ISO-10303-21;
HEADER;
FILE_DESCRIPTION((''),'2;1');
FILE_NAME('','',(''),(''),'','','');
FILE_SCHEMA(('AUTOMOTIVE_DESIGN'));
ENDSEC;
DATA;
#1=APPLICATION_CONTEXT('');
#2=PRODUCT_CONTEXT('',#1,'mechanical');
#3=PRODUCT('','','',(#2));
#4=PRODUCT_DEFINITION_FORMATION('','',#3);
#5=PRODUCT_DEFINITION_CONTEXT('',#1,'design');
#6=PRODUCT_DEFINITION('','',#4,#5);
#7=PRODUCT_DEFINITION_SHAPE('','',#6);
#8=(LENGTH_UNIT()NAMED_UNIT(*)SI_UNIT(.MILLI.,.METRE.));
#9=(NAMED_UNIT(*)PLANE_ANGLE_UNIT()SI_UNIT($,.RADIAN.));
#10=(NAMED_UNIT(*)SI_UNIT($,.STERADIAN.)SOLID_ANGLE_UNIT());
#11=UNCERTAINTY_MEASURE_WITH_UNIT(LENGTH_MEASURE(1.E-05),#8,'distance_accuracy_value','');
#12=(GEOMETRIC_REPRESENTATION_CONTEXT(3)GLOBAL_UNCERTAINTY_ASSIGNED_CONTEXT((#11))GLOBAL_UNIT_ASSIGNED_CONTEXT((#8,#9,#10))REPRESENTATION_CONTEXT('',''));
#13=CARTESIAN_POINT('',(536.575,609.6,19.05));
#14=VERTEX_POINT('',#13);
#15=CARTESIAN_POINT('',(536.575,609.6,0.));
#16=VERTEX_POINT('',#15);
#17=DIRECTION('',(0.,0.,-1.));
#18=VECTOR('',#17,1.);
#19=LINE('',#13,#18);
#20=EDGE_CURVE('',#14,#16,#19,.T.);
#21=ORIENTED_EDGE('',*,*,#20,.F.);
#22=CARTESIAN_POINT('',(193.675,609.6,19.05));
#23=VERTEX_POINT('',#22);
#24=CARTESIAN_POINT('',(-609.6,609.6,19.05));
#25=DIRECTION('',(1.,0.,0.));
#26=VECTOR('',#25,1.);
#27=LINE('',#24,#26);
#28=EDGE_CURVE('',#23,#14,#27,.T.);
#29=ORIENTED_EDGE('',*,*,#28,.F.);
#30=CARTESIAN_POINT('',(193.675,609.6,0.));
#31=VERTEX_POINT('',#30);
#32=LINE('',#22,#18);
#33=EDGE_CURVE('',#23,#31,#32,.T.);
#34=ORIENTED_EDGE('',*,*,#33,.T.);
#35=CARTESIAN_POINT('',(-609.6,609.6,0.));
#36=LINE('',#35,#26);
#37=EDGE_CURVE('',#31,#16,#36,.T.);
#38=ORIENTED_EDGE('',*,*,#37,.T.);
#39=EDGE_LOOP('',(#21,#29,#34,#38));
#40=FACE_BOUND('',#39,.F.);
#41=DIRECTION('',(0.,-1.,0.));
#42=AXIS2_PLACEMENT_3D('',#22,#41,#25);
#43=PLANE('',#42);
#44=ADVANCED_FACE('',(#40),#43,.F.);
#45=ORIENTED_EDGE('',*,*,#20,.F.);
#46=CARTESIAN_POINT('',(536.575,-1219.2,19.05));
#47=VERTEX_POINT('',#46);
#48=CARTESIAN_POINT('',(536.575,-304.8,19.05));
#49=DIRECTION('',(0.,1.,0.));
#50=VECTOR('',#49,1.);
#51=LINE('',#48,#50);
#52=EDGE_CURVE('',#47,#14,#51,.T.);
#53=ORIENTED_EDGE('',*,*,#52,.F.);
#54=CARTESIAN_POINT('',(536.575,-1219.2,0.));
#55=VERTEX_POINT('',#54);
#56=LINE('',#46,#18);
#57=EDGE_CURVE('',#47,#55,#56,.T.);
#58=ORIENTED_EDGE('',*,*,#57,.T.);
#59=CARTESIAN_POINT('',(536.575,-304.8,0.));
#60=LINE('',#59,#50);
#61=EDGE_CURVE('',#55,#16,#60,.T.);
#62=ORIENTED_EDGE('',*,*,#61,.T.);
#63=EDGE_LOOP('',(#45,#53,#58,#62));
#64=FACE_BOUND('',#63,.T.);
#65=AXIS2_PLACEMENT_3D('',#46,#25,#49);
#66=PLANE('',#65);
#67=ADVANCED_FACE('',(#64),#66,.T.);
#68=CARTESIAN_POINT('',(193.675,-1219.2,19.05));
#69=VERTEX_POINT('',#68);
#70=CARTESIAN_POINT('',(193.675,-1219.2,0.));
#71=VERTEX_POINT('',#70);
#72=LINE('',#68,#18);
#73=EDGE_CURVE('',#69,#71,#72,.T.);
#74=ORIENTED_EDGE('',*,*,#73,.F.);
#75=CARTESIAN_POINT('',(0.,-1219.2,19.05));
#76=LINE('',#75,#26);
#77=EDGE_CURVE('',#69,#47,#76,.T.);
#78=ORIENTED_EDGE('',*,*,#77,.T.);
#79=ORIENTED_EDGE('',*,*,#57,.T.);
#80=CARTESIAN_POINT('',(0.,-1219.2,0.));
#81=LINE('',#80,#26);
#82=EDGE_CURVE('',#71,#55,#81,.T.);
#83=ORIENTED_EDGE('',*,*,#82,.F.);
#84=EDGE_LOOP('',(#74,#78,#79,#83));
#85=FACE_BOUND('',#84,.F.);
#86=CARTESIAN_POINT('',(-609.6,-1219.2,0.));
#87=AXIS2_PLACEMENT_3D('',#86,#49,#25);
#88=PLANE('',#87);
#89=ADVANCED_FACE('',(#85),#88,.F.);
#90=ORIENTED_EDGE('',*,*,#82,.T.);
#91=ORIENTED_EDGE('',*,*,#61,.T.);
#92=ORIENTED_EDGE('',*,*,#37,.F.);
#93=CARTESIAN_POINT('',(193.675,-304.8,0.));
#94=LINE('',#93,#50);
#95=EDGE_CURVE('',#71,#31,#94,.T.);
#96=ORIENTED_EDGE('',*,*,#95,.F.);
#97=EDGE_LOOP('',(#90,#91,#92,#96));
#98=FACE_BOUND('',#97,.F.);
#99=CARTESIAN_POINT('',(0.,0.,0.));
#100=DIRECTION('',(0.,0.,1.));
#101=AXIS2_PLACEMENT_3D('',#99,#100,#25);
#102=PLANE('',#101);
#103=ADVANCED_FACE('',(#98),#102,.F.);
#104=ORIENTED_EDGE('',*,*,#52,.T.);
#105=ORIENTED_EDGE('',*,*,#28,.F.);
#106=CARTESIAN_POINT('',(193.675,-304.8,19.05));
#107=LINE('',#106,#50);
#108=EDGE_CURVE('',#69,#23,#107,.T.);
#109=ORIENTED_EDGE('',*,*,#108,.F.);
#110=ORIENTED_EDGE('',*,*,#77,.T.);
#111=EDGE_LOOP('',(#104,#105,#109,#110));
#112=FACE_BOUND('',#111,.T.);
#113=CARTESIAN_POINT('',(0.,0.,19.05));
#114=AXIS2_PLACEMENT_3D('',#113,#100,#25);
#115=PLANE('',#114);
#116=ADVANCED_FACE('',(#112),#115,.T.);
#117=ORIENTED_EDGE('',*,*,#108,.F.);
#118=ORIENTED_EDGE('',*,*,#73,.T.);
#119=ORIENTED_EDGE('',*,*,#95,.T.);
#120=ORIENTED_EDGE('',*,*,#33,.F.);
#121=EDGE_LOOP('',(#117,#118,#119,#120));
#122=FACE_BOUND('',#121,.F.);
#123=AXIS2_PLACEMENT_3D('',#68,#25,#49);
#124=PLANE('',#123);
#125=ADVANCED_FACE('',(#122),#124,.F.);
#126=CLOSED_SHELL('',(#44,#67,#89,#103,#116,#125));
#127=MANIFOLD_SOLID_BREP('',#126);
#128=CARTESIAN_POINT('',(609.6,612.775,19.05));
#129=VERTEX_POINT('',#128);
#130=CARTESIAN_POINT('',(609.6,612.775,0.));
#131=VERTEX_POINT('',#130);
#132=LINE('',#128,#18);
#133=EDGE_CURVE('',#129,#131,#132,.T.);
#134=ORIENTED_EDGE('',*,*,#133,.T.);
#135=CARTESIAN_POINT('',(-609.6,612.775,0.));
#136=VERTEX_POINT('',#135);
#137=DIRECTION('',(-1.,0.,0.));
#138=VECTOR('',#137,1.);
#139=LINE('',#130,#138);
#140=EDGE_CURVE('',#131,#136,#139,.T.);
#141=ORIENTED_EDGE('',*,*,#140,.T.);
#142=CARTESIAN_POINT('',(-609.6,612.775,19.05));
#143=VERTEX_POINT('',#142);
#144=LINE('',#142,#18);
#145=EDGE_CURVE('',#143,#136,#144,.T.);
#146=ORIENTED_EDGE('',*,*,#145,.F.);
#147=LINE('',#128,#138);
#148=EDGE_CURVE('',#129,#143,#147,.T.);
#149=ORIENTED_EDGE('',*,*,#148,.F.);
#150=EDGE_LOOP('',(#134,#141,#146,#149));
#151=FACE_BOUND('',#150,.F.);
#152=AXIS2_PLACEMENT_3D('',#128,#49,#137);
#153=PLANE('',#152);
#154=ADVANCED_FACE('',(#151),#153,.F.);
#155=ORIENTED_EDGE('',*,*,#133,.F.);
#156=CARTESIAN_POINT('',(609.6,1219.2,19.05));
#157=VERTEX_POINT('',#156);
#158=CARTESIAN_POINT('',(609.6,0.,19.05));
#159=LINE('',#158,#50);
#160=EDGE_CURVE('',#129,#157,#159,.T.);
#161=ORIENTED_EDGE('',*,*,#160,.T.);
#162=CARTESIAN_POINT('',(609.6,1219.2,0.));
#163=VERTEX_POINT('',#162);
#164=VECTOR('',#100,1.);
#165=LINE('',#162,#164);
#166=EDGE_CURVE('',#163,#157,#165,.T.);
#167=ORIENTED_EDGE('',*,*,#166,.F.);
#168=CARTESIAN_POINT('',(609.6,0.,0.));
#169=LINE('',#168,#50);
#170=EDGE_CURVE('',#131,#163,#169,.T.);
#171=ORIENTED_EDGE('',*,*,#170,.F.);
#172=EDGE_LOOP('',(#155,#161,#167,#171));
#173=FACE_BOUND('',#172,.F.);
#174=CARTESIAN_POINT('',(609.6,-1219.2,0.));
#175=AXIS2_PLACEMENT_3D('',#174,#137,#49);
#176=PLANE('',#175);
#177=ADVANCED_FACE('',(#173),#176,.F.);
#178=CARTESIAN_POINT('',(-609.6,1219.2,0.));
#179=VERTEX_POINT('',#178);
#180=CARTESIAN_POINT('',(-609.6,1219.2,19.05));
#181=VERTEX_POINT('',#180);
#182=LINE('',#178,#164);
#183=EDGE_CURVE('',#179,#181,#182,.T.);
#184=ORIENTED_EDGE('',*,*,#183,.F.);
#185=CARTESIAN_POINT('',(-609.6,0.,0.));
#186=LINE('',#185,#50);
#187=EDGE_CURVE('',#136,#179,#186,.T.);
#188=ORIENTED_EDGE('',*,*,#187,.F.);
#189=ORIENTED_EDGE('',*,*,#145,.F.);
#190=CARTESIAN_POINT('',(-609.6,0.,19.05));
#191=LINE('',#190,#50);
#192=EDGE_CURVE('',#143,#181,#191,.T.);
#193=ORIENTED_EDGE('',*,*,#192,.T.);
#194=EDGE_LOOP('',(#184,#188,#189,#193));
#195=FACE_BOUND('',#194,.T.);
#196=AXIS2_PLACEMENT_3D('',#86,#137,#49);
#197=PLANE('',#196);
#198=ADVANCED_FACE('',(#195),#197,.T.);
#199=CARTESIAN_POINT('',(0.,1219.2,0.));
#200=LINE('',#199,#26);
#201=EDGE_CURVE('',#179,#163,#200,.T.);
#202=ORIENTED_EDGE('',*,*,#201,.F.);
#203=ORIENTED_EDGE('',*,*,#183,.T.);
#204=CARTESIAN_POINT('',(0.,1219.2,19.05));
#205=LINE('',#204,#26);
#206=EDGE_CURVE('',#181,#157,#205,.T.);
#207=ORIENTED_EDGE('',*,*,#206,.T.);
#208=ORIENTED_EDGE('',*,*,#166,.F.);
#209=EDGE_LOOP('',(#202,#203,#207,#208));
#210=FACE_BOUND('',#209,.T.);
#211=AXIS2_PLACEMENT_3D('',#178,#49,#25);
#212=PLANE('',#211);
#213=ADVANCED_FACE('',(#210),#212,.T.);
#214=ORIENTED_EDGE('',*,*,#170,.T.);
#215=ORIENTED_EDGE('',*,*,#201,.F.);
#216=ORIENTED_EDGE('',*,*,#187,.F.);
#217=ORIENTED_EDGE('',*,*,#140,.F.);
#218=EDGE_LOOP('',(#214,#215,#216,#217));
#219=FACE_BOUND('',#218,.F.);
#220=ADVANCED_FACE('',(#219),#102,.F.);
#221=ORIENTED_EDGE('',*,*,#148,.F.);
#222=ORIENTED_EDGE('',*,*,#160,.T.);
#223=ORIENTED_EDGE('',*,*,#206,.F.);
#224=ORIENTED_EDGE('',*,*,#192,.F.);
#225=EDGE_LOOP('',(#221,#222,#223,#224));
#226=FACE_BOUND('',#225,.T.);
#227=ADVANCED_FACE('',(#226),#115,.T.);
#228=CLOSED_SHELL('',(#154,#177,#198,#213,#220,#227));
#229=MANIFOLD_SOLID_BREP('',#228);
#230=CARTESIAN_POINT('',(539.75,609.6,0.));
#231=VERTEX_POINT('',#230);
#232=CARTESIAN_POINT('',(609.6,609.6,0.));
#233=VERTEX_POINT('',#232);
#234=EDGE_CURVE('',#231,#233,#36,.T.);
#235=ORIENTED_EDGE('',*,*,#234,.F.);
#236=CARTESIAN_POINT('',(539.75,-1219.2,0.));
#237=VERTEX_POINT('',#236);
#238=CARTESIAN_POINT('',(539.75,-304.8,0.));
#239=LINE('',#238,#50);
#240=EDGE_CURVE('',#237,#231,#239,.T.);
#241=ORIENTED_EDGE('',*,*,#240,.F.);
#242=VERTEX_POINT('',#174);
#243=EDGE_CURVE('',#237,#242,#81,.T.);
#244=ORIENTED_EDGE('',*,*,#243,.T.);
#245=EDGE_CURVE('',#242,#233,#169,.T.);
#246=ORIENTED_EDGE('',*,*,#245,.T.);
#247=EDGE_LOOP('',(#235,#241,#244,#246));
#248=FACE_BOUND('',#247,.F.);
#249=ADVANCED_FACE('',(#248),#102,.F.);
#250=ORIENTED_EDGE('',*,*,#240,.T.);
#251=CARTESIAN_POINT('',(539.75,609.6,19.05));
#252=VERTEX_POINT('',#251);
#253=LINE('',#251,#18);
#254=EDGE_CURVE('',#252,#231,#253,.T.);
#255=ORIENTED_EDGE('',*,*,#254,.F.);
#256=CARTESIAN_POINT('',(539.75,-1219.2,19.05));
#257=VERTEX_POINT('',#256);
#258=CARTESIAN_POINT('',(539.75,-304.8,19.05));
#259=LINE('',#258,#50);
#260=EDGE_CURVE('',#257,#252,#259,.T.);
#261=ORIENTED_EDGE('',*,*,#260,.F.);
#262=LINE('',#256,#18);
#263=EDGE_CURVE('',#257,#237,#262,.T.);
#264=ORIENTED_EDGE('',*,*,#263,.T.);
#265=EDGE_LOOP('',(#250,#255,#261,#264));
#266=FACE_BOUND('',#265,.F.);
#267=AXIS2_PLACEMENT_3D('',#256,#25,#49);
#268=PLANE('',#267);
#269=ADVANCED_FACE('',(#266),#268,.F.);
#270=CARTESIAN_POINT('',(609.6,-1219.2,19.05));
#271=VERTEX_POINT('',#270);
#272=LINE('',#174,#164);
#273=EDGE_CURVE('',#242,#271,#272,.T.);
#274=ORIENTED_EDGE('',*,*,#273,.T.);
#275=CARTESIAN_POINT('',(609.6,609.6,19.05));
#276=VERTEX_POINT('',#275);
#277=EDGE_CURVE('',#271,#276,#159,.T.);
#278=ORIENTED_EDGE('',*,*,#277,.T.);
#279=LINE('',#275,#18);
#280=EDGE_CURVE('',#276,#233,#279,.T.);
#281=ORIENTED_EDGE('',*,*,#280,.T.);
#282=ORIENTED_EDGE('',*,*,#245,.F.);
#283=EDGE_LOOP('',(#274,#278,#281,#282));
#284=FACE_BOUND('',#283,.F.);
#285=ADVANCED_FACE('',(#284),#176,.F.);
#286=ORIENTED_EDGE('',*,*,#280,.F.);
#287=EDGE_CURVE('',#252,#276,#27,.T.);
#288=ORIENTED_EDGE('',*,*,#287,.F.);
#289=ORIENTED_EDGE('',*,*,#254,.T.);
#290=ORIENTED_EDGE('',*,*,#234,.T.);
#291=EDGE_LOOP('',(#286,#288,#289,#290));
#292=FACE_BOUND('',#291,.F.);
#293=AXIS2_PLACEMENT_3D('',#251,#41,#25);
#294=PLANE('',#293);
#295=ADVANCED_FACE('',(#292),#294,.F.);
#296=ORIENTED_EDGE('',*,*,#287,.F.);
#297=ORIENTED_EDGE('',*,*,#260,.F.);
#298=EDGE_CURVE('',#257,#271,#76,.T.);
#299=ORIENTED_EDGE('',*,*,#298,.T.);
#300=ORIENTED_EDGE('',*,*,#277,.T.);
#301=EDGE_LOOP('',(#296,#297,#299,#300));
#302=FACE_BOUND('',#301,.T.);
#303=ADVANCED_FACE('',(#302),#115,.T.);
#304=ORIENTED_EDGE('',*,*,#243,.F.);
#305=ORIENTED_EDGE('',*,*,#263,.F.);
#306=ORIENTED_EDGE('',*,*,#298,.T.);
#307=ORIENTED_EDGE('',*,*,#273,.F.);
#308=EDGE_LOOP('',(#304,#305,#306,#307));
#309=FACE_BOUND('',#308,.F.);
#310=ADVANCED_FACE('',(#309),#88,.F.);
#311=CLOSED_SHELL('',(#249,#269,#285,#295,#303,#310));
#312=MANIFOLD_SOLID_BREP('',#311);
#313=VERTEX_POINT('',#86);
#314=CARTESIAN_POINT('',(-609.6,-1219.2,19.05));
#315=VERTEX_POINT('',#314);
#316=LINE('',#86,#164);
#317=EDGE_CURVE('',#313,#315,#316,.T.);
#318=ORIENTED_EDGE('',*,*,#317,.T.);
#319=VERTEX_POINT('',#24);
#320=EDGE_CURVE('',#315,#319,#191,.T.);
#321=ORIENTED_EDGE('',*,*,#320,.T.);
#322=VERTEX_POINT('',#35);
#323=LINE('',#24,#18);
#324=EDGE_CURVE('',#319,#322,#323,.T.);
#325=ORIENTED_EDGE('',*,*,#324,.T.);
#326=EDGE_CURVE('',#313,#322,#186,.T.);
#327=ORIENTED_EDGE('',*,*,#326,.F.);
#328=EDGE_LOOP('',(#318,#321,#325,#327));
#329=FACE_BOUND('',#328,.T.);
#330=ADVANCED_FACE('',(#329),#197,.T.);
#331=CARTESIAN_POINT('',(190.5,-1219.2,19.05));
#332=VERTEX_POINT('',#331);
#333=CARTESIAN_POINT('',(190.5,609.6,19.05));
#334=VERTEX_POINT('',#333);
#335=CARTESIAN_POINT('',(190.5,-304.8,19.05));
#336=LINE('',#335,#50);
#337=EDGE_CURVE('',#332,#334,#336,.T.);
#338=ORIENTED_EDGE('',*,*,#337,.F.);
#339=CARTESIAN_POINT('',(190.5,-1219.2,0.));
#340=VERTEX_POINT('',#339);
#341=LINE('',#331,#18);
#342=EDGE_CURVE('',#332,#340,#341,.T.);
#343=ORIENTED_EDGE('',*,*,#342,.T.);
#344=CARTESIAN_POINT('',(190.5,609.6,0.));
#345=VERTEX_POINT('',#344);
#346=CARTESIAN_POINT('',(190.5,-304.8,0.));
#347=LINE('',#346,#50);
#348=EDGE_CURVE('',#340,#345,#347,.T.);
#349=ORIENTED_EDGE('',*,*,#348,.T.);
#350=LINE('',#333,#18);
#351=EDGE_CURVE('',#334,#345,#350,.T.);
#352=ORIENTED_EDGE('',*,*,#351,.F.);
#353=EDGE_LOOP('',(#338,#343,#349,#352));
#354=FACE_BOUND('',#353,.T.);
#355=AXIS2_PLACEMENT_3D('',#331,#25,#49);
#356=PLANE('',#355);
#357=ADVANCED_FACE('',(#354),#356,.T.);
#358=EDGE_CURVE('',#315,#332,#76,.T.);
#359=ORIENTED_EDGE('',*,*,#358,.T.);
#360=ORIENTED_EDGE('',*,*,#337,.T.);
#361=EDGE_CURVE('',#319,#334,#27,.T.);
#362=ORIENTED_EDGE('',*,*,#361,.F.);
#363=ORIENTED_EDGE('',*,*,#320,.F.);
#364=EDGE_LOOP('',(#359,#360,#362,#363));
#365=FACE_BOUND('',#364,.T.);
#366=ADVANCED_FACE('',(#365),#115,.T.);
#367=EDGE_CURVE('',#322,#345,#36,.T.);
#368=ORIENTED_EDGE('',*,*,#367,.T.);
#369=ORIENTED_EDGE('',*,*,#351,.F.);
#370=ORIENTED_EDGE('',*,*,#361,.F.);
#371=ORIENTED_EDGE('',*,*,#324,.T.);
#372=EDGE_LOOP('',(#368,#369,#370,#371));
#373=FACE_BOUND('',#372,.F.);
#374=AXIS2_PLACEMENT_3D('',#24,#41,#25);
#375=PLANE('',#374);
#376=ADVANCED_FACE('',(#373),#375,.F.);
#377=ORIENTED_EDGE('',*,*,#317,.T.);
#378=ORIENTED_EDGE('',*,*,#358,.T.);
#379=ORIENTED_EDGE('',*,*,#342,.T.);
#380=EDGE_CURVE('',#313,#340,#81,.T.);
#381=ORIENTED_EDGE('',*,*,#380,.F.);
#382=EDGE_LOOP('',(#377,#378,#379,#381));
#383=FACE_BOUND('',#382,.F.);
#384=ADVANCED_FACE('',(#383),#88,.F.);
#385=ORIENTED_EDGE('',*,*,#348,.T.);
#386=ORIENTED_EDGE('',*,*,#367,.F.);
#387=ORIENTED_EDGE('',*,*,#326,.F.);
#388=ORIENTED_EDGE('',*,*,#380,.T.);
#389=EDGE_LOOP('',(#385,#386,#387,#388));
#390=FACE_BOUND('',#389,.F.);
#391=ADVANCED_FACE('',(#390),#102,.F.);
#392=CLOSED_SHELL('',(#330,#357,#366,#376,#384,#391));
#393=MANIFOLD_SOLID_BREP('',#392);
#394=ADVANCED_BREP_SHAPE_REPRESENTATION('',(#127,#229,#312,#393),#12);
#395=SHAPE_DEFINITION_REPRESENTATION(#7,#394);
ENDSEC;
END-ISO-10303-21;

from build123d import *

# Parameters (mm, degrees)
F0_W     = 1219.2
F0_H     = 2438.4
F1_DEPTH = 19.05
F2_W     = 3.175
F2_H     = 1828.8
F3_DEPTH = 19.05


with BuildPart() as f1:
    # F0 (on Top) → F1 (new body)
    with BuildSketch(Plane.XY):
        Rectangle(F0_W, F0_H)
    extrude(amount=F1_DEPTH)

    # F2 (on face) → F3 (cut, through all)
    with BuildSketch(Plane.XY.offset(19.05)):
        Polygon((-609.6, 612.775), (-609.6, 609.6), (190.5, 609.6), (193.675, 609.6), (536.575, 609.6), (539.75, 609.6), (609.6, 609.6), (609.6, 612.775), align=None)
        with Locations((192.0875, -304.8)):
            Rectangle(F2_W, F2_H)
        with Locations((538.1625, -304.8)):
            Rectangle(F2_W, F2_H)
    extrude(amount=-F3_DEPTH, mode=Mode.SUBTRACT)


solid = f1.part
